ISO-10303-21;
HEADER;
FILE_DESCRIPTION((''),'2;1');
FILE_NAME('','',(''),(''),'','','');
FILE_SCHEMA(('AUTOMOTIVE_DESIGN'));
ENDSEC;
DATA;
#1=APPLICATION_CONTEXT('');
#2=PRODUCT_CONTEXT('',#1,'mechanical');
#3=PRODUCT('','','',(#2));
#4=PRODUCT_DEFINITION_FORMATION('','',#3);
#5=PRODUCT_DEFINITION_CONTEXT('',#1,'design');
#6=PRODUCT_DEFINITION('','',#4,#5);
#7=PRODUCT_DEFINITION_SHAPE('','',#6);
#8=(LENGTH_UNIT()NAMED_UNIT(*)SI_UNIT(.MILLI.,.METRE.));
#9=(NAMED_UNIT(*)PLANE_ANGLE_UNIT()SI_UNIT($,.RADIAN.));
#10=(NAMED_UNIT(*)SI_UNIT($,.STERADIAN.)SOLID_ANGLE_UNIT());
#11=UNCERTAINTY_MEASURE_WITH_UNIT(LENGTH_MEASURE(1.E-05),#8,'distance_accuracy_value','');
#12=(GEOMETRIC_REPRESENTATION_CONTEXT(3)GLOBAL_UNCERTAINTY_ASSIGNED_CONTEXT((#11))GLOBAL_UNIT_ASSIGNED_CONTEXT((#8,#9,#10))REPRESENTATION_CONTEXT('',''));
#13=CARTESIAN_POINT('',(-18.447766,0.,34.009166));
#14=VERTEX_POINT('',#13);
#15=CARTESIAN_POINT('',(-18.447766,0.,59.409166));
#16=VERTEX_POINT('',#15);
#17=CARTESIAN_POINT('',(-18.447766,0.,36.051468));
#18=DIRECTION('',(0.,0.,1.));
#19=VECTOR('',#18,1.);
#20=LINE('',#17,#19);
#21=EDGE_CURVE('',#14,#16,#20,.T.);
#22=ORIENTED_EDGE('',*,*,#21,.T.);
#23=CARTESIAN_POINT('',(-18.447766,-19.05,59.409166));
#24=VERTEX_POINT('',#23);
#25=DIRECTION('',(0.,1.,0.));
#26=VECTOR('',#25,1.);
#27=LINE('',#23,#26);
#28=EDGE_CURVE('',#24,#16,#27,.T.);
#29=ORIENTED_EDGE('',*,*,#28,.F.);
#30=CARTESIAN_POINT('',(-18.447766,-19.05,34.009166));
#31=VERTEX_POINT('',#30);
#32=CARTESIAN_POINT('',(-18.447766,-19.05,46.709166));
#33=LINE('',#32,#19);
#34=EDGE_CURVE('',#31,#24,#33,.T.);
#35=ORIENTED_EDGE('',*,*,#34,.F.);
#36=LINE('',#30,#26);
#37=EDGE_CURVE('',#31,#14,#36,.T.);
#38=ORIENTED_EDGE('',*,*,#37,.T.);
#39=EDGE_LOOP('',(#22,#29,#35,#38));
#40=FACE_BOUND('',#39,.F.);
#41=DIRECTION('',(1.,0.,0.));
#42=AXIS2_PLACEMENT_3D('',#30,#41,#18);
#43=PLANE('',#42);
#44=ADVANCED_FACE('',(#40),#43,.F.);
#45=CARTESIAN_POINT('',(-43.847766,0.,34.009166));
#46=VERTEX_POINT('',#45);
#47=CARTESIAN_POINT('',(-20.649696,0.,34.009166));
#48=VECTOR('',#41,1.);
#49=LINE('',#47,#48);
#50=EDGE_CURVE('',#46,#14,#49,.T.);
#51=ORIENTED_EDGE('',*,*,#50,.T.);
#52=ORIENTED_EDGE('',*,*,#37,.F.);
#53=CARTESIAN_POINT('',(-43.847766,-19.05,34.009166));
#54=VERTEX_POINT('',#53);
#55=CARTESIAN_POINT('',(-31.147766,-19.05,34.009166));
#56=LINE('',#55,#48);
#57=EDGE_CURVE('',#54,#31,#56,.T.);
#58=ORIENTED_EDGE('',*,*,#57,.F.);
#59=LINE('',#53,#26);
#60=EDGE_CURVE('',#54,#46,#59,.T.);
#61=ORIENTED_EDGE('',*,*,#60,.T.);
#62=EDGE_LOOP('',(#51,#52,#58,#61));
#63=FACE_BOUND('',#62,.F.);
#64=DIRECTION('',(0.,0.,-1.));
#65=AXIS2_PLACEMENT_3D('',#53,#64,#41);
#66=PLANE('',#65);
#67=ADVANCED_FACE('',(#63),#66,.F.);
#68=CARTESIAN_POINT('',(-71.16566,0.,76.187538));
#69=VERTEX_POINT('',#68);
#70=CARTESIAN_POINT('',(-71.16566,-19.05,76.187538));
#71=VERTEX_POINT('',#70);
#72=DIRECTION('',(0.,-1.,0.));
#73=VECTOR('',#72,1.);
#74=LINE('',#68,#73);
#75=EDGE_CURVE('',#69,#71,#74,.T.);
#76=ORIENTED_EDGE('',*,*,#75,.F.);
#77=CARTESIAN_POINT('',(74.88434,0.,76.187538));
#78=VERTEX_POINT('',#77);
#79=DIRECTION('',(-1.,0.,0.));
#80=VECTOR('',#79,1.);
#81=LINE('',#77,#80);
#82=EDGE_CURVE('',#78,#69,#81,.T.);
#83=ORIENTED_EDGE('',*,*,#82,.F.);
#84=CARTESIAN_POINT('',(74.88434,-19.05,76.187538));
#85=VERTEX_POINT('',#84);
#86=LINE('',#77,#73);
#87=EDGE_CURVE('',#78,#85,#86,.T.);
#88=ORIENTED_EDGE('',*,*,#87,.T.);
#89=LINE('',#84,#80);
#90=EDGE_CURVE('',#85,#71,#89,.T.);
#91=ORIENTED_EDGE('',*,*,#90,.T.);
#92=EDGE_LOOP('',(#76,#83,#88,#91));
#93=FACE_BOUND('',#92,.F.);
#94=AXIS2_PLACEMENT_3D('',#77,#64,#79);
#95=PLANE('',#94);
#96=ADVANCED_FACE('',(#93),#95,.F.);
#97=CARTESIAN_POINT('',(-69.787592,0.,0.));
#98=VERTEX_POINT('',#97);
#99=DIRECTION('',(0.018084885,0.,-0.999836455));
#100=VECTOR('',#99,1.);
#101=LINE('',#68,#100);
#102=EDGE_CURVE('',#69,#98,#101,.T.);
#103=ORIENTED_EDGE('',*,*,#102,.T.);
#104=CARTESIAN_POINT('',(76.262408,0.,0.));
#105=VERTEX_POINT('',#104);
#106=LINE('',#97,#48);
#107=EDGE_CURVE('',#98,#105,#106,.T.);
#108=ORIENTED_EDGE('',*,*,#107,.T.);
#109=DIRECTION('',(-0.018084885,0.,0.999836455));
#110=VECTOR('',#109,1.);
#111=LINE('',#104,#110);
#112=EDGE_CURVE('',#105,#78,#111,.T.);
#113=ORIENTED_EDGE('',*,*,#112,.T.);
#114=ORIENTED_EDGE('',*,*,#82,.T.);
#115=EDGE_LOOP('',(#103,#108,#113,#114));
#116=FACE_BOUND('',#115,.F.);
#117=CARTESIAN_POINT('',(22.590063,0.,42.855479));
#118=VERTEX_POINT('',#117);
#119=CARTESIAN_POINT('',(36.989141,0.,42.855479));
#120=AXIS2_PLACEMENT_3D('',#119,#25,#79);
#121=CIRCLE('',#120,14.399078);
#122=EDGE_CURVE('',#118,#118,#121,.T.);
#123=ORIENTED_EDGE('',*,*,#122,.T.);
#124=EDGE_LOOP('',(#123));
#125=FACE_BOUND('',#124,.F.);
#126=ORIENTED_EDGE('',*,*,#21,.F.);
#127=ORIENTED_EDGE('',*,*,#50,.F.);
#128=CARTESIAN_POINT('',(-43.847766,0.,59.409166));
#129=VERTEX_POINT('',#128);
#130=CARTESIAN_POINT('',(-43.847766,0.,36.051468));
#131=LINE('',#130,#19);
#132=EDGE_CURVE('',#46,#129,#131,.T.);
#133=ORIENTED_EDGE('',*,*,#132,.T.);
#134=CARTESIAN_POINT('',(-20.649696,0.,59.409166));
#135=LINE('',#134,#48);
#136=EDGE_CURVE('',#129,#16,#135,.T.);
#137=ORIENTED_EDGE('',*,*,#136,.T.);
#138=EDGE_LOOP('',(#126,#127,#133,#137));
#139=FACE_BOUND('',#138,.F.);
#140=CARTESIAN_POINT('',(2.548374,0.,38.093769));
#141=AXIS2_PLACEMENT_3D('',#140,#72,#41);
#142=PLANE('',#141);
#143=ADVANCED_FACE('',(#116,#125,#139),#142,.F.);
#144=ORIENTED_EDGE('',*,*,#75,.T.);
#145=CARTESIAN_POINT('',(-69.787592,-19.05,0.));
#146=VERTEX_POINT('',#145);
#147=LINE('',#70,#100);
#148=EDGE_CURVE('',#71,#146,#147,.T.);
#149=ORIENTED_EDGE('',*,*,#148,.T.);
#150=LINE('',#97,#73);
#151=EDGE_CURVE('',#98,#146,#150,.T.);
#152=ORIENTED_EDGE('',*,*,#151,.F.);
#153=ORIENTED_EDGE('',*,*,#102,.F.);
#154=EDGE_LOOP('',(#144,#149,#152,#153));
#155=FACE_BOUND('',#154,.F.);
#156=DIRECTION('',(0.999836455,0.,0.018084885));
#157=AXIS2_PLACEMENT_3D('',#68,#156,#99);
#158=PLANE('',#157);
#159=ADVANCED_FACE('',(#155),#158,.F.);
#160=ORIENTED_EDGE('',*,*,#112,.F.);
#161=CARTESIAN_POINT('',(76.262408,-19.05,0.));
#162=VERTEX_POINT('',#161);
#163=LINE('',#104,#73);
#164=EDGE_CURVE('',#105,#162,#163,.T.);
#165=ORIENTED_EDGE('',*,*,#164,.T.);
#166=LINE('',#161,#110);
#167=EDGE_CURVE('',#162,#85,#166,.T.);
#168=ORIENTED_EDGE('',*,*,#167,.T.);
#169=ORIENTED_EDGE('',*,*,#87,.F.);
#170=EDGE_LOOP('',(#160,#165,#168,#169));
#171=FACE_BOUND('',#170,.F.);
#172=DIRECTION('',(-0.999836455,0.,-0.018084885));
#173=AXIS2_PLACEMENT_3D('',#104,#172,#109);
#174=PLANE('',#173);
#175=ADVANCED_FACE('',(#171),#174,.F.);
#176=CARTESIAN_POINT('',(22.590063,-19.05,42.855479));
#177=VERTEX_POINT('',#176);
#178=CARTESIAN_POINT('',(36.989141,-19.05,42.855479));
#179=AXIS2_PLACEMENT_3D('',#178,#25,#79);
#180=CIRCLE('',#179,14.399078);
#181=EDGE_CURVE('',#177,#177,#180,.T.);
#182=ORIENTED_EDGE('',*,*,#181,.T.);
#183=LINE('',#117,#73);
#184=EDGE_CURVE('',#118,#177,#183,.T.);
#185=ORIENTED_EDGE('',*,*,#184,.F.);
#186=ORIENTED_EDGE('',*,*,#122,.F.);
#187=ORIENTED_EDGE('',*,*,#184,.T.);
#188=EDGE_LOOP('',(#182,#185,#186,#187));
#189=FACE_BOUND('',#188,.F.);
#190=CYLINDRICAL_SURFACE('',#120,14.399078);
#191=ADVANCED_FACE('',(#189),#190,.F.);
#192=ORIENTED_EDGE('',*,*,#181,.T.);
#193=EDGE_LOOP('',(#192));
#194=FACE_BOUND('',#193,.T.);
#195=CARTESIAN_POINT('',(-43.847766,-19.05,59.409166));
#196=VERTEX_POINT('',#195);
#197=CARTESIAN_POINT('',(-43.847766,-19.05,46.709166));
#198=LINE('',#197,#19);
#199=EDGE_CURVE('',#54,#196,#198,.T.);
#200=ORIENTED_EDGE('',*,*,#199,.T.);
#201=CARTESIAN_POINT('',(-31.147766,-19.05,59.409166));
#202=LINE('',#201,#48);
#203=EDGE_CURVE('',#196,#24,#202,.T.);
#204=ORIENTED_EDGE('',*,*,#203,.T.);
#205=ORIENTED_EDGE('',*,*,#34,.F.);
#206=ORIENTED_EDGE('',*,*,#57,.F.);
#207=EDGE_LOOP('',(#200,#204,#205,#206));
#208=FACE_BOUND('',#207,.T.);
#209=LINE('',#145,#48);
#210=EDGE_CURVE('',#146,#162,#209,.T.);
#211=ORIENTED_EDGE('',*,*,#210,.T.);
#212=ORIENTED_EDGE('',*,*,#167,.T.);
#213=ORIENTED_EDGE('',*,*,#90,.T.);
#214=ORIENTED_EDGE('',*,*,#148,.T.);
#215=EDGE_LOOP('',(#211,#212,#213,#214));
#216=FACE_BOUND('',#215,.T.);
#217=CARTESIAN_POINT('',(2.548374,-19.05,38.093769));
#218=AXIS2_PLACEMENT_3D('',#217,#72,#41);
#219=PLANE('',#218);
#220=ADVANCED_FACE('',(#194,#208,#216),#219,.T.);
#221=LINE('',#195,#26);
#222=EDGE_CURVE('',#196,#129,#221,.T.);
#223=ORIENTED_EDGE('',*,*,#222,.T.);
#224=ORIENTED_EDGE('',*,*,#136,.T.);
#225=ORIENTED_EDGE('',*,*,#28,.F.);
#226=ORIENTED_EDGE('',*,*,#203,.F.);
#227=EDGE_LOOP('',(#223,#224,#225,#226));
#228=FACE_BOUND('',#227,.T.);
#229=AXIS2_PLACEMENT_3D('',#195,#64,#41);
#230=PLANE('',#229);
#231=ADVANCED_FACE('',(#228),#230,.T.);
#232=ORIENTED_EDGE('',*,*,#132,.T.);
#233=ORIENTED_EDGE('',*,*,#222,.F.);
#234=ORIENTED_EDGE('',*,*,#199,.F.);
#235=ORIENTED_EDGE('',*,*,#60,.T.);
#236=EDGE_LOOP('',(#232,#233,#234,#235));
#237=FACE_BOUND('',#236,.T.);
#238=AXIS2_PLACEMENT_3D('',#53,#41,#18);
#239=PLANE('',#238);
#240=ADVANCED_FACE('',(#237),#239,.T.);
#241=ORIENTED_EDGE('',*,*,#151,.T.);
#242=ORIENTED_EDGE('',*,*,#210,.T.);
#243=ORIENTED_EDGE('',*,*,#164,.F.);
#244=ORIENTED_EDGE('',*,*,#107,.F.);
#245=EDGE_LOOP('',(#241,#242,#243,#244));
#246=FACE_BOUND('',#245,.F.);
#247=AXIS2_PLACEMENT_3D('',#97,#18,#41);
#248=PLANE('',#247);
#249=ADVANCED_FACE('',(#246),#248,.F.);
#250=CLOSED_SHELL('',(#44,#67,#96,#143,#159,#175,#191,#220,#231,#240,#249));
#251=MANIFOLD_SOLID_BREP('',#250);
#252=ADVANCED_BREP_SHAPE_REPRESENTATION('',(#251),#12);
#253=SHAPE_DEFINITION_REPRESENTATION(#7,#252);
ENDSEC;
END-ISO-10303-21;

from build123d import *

# Parameters (mm, degrees)
F1_DEPTH  = 19.05
F2_W      = 25.4
F2_H      = 25.4
F3_DEPTH  = 25.4
F4_R      = 14.3990784814
F1_FACE_W = 25.4
F1_FACE_H = 25.4
F5_DEPTH  = 25.4


with BuildPart() as f1:
    # F0 (on Front) → F1 (new body)
    with BuildSketch(Plane.XZ):
        Polygon((76.2624083042, 0), (74.8843400498, 76.1875378778), (-71.1656599502, 76.1875378778), (-69.7875916958, 0), align=None)
    extrude(amount=F1_DEPTH)

    # F2 (on face) → F3 (cut)
    with BuildSketch(Plane.XZ.offset(19.05)):
        with Locations((-31.1477660805, 46.7091660619)):
            Rectangle(F2_W, F2_H)
    extrude(amount=-F3_DEPTH, mode=Mode.SUBTRACT)

    # F4 (on face) + F1_face (on face) → F5 (cut)
    with BuildSketch(Plane(origin=(0, 0, 0), x_dir=(-1, 0, 0), z_dir=(0, 1, 0))):
        with Locations((-36.9891412556, 42.8554788232)):
            Circle(F4_R)
    with BuildSketch(Plane(origin=(2.548374177, -19.05, 38.0937689389), x_dir=(1, 0, 0), z_dir=(0, -1, 0))):
        Polygon((-73.7140341272, 38.0937689389), (-72.3359658728, -38.0937689389), (73.7140341272, -38.0937689389), (72.3359658728, 38.0937689389), align=None)
        with Locations((-33.6961402575, 8.615397123)):
            Rectangle(F1_FACE_W, F1_FACE_H, mode=Mode.SUBTRACT)
    extrude(amount=-F5_DEPTH, dir=(0, 1, 0), mode=Mode.SUBTRACT)


solid = f1.part
